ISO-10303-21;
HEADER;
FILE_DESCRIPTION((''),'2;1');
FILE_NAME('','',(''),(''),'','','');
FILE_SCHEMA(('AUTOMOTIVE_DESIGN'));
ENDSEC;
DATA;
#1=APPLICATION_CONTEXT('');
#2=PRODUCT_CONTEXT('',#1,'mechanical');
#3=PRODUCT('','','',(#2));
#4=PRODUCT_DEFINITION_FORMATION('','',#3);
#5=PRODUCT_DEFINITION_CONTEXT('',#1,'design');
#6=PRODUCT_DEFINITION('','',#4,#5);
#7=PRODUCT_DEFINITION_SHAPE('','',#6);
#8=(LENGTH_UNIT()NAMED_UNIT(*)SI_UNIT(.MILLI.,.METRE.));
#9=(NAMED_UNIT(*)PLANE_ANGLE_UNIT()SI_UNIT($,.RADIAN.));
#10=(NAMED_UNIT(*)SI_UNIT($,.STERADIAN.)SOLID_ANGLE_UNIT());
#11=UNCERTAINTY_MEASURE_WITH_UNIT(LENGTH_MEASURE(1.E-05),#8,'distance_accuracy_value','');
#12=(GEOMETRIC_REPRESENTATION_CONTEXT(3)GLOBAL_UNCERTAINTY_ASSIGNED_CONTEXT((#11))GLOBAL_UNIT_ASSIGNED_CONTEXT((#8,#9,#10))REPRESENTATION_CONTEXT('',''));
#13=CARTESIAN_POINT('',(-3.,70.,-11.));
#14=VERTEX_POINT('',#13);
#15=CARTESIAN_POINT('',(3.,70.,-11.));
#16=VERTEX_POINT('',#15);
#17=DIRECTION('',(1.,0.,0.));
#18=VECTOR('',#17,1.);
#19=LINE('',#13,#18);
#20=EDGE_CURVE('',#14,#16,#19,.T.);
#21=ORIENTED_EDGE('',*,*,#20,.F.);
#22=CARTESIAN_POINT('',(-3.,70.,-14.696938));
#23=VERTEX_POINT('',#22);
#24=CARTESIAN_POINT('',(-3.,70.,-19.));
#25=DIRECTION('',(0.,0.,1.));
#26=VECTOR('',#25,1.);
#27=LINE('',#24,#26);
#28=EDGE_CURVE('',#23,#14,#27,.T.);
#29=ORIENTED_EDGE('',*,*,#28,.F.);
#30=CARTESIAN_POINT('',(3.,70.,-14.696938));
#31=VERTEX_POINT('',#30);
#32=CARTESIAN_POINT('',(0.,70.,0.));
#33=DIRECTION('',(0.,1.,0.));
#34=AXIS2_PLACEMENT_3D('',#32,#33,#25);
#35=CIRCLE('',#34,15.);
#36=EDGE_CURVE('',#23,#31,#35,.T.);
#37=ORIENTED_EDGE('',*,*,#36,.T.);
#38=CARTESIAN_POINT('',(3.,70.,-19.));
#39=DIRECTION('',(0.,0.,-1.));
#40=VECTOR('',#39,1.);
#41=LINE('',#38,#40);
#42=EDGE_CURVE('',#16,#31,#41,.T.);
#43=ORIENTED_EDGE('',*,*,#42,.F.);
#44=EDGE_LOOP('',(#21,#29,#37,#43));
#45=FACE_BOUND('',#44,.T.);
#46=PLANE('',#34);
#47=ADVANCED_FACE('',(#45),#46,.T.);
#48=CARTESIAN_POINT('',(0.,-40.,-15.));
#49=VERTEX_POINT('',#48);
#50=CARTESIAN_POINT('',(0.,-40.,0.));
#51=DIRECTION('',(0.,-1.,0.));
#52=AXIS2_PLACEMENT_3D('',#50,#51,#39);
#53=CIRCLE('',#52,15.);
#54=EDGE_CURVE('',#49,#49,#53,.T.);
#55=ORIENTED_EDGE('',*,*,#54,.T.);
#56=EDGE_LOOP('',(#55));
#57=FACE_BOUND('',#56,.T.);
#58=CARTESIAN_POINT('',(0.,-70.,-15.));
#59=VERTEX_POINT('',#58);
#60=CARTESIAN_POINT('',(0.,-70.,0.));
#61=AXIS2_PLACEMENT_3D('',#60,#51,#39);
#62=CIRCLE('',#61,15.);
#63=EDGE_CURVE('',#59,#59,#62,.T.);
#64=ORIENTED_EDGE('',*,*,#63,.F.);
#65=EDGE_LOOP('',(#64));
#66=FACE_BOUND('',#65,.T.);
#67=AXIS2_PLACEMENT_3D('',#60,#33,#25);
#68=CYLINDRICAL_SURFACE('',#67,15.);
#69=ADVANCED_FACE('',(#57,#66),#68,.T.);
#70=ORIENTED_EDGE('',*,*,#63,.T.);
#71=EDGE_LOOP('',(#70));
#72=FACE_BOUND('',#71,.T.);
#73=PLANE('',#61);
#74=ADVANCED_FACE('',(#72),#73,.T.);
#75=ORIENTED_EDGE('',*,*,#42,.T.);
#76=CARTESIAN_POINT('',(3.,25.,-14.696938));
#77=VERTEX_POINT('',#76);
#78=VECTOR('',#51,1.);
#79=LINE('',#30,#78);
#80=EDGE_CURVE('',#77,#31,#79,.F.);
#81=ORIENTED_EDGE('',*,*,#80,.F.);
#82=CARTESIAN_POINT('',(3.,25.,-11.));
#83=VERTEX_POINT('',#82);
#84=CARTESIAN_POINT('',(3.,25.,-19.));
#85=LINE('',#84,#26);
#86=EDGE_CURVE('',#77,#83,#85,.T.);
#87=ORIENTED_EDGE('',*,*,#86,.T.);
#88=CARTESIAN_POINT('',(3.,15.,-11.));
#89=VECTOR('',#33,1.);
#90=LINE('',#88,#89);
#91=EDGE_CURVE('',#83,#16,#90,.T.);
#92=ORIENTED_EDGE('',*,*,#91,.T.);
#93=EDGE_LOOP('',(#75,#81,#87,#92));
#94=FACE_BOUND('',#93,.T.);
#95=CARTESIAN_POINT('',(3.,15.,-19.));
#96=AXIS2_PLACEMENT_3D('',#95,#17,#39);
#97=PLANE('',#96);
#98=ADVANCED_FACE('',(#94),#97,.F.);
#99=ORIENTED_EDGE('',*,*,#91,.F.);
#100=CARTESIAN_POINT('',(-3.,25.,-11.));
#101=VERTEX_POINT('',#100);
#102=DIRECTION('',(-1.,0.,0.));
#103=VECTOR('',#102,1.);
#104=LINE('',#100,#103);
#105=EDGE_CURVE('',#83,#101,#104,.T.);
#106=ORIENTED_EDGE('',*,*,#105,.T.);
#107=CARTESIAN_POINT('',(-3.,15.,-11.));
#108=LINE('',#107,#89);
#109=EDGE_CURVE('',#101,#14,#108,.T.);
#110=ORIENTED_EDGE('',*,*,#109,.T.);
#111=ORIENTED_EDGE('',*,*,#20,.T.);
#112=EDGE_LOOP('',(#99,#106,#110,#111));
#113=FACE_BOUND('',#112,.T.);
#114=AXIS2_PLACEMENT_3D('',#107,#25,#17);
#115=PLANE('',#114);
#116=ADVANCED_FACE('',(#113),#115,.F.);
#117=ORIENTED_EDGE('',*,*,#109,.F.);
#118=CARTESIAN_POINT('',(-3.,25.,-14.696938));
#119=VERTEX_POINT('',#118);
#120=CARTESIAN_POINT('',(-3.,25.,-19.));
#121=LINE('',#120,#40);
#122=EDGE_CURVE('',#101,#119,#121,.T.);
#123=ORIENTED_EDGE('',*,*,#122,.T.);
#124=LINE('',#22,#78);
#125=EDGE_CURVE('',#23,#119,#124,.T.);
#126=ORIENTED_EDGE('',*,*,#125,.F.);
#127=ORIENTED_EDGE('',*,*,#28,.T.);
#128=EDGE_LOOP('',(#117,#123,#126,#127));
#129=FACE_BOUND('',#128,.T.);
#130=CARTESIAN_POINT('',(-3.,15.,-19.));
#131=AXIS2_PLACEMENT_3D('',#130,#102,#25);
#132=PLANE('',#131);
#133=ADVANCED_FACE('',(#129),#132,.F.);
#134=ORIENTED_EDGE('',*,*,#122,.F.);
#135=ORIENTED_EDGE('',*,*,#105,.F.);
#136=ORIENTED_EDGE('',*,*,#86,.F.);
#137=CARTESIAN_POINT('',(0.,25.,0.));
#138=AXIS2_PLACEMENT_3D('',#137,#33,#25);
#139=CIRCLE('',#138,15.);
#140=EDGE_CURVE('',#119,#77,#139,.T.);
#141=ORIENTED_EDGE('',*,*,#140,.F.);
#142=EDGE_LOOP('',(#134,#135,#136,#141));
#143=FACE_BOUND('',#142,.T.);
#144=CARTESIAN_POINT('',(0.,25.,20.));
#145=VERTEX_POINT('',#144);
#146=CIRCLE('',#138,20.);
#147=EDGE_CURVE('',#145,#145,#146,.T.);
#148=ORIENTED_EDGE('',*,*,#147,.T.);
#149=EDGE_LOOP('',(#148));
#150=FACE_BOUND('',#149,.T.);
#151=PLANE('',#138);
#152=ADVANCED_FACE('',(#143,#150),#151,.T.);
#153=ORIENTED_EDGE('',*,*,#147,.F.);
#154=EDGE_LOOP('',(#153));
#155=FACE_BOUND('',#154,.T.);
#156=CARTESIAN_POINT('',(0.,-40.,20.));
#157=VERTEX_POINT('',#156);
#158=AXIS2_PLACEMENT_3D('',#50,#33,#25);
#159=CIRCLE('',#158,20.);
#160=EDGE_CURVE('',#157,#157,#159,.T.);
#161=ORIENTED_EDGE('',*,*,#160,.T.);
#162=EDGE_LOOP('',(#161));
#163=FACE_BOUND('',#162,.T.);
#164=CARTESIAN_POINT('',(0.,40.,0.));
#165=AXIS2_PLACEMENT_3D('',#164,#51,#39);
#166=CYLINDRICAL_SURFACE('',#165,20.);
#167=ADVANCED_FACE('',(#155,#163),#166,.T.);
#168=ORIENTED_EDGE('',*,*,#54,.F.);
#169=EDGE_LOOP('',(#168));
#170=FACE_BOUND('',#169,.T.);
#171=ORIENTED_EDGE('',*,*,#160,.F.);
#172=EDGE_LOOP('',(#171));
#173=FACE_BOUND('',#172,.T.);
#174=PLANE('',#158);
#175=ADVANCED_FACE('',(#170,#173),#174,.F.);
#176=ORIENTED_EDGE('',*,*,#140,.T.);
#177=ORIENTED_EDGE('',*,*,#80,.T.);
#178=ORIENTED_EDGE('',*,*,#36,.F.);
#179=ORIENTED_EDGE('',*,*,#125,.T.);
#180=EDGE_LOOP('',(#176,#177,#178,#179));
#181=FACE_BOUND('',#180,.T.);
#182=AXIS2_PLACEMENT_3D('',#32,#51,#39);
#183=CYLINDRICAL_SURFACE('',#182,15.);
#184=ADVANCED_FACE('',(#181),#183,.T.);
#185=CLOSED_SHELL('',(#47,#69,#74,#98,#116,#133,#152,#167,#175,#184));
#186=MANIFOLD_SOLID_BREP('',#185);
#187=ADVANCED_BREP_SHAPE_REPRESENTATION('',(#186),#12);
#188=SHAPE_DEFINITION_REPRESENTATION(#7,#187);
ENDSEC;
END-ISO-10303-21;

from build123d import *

# Parameters (mm, degrees)
SKETCH1_R           = 20
BOSS_EXTRUDE1_DEPTH = 40
SKETCH2_R           = 15
BOSS_EXTRUDE2_DEPTH = 30
SKETCH3_R           = 15
BOSS_EXTRUDE3_DEPTH = 30
SKETCH4_R           = 20
SKETCH4_R_2         = 15
CUT_EXTRUDE1_DEPTH  = 15
SKETCH5_W           = 6
SKETCH5_H           = 8
CUT_EXTRUDE2_DEPTH  = 45


with BuildPart() as part:
    # Sketch1 → Boss-Extrude1 (new body, symmetric)
    with BuildSketch(Plane(origin=(0, 0, 0), x_dir=(1, 0, 0), z_dir=(0, 1, 0))):
        Circle(SKETCH1_R)
    extrude(amount=BOSS_EXTRUDE1_DEPTH, both=True)

    # Sketch2 → Boss-Extrude2 (add)
    with BuildSketch(Plane(origin=(0, 40, 0), x_dir=(1, 0, 0), z_dir=(0, 1, 0))):
        Circle(SKETCH2_R)
    extrude(amount=BOSS_EXTRUDE2_DEPTH)

    # Sketch3 → Boss-Extrude3 (add)
    with BuildSketch(Plane.XZ.offset(40)):
        Circle(SKETCH3_R)
    extrude(amount=BOSS_EXTRUDE3_DEPTH)

    # Sketch4 → Cut-Extrude1 (cut)
    with BuildSketch(Plane(origin=(0, 40, 0), x_dir=(1, 0, 0), z_dir=(0, 1, 0))):
        Circle(SKETCH4_R)
        Circle(SKETCH4_R_2, mode=Mode.SUBTRACT)
    extrude(amount=-CUT_EXTRUDE1_DEPTH, mode=Mode.SUBTRACT)

    # Sketch5 → Cut-Extrude2 (cut)
    with BuildSketch(Plane(origin=(0, 70, 0), x_dir=(1, 0, 0), z_dir=(0, 1, 0))):
        with Locations((0, 15)):
            Rectangle(SKETCH5_W, SKETCH5_H)
    extrude(amount=-CUT_EXTRUDE2_DEPTH, mode=Mode.SUBTRACT)


solid = part.part
